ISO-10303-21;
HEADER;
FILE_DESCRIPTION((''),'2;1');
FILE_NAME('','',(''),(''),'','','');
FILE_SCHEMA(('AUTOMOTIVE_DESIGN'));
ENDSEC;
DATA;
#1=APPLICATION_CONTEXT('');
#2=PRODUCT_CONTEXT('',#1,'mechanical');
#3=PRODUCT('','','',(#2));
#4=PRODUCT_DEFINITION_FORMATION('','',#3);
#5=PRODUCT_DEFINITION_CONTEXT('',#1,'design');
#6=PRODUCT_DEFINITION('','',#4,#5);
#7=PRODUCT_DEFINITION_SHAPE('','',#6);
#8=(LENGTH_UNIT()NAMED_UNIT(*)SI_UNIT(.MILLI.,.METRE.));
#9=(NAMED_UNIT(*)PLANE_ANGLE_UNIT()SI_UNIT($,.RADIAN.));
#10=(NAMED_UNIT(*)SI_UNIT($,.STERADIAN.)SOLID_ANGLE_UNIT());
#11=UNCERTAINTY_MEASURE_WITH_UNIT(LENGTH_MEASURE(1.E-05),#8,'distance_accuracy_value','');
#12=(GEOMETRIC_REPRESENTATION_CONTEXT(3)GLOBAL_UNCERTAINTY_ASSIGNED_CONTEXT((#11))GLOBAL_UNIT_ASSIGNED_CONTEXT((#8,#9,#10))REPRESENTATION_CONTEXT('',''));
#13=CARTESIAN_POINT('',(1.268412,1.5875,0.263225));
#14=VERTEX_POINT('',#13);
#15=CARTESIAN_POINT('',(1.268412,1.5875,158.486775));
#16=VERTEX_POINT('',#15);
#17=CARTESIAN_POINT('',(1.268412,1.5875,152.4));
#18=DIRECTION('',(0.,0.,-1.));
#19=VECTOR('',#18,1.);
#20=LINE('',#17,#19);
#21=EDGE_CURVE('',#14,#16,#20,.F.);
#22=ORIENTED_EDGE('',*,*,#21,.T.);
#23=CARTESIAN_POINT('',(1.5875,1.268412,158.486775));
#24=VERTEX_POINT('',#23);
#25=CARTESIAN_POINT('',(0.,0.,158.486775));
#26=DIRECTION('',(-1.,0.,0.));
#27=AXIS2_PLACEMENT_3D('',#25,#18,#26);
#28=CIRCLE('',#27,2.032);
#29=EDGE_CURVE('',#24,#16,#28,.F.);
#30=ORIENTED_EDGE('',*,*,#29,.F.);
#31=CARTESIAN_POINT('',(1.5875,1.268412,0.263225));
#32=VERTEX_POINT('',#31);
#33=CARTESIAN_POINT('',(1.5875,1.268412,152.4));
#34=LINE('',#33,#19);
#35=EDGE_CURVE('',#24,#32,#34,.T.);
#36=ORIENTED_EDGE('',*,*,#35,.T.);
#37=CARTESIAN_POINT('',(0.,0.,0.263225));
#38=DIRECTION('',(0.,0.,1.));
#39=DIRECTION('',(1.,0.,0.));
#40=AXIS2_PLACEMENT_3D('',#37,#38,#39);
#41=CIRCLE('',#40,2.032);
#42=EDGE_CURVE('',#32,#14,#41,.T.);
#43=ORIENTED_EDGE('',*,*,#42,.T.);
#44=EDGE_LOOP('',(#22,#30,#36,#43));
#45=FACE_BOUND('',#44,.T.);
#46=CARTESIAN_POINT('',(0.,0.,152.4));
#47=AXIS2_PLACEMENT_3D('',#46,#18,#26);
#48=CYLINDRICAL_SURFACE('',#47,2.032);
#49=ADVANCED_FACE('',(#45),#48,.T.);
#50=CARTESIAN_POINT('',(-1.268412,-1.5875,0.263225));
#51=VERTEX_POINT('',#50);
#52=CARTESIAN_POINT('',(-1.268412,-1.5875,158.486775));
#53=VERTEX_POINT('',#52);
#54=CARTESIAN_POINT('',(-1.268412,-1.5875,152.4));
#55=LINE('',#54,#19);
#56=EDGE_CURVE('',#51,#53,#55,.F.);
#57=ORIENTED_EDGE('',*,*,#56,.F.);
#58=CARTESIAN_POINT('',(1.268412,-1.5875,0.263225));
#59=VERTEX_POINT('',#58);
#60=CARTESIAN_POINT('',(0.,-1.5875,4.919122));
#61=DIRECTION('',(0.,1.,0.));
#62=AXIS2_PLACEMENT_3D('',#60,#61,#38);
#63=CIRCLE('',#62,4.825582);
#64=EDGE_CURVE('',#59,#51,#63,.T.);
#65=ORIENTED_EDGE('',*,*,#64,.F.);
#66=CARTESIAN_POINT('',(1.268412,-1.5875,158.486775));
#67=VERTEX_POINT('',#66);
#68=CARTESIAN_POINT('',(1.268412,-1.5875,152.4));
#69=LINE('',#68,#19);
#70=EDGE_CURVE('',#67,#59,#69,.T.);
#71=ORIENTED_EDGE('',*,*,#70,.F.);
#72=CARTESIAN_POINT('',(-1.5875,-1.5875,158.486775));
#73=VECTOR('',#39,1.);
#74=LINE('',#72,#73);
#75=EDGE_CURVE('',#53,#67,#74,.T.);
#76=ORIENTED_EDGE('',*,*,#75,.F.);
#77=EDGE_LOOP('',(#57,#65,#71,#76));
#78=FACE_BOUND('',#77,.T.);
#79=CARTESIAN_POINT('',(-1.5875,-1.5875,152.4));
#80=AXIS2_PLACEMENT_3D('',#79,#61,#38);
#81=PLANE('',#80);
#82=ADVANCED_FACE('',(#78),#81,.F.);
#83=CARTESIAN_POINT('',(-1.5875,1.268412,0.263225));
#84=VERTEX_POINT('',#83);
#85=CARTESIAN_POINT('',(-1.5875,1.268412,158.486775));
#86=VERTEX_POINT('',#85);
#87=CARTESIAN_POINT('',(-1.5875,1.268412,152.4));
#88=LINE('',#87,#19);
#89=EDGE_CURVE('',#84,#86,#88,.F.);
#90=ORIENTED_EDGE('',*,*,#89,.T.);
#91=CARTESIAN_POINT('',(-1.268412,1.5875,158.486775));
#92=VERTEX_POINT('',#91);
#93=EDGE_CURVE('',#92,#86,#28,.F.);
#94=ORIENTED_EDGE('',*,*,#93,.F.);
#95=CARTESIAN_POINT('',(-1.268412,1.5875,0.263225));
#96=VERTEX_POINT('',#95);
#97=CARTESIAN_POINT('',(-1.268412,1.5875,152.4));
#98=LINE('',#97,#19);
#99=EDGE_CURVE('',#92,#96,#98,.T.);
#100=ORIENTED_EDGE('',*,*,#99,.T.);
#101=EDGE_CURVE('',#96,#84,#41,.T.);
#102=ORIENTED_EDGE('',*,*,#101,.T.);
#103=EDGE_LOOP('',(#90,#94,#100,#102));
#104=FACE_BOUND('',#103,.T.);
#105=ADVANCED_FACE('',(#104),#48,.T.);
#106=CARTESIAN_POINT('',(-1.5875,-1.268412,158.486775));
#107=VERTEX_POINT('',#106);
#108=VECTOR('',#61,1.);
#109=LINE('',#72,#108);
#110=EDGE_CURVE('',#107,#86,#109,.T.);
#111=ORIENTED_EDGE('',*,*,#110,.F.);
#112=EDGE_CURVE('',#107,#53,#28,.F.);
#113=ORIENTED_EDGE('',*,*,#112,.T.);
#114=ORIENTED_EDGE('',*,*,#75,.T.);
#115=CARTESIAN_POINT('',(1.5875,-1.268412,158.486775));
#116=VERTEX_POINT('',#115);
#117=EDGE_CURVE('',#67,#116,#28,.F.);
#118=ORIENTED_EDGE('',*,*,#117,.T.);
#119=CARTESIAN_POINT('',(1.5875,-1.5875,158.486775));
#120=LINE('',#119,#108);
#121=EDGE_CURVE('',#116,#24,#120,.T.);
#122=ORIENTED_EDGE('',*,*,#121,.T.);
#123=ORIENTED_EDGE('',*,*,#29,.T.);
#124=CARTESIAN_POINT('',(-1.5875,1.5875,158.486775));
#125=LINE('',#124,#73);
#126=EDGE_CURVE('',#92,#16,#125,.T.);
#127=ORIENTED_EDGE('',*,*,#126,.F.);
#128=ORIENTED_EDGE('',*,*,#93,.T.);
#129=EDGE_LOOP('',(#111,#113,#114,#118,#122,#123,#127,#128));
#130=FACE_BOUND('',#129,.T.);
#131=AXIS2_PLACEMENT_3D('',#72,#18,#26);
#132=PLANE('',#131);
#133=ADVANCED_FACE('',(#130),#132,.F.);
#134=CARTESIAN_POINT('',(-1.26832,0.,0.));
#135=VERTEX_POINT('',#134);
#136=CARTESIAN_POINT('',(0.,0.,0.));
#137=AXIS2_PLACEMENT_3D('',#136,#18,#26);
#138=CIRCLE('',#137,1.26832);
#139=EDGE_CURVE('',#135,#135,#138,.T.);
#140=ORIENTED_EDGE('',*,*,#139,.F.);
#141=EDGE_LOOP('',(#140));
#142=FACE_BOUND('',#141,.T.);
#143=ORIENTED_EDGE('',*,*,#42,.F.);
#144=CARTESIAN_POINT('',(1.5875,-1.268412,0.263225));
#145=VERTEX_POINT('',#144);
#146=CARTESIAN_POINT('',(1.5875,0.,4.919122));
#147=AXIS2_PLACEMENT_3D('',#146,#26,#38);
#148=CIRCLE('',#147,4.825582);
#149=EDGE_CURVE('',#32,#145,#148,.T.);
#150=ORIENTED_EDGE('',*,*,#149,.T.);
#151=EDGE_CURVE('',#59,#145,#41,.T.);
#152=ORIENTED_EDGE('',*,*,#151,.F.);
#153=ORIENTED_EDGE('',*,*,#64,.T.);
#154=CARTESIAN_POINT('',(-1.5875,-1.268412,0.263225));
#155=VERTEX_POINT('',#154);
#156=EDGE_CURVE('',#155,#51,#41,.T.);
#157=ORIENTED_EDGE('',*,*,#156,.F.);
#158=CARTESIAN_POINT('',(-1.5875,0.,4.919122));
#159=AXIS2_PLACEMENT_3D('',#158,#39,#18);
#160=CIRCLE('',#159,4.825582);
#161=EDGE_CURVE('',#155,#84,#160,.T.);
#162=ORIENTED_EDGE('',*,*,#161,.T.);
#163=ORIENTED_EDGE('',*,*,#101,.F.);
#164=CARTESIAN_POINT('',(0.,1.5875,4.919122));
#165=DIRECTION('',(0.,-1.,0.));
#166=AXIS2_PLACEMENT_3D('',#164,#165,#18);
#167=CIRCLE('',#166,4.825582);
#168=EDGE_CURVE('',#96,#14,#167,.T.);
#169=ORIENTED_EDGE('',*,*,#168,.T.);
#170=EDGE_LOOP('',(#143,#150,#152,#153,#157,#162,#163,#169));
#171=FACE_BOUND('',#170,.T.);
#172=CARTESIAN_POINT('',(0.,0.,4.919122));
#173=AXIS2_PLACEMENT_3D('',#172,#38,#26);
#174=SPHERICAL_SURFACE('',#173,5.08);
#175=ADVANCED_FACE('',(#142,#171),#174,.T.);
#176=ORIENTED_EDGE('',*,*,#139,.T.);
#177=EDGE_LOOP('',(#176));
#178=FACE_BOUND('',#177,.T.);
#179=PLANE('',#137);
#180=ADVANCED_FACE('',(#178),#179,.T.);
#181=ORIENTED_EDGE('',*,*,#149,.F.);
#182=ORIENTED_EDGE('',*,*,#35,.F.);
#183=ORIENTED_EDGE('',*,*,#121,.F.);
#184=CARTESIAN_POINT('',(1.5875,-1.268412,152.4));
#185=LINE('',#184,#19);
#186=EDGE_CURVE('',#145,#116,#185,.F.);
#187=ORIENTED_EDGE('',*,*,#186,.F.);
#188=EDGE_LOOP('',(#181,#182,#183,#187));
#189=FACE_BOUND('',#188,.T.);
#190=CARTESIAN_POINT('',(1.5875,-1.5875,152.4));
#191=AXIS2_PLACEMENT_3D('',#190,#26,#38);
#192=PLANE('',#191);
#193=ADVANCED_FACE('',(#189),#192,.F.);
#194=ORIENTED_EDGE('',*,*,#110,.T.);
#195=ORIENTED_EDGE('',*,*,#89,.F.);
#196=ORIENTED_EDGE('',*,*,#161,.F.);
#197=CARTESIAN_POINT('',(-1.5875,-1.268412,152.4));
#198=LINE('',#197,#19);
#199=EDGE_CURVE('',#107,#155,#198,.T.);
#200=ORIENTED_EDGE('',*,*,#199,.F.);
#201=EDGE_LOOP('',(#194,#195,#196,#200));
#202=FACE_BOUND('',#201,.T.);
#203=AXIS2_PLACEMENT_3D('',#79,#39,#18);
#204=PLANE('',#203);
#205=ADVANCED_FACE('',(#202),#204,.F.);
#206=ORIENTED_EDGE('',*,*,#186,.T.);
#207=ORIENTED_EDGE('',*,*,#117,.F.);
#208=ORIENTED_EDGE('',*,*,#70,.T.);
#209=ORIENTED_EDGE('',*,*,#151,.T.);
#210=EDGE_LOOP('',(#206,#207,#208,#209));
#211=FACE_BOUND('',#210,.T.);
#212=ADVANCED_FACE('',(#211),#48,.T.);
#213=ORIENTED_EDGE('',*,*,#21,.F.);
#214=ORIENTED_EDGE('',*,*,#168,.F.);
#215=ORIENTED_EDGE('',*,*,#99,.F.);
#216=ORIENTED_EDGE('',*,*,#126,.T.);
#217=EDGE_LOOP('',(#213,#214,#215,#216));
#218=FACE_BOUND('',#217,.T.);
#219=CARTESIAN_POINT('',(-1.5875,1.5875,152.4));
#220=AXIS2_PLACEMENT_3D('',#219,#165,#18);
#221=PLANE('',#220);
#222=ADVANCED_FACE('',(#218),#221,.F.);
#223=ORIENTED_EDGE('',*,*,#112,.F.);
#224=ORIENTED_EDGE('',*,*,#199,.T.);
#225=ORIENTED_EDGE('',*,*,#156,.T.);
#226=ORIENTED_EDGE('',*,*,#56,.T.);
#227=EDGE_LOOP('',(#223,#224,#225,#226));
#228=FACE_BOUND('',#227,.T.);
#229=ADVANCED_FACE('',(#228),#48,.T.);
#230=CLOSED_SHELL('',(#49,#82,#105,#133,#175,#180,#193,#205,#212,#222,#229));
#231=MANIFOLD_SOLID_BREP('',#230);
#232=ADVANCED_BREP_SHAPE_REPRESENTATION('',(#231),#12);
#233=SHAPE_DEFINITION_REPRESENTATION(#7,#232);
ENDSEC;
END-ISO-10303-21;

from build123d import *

# Parameters (mm, degrees)
SKETCH1_W           = 3.175
SKETCH1_H           = 3.175
BOSS_EXTRUDE1_DEPTH = 152.4
SKETCH2_OUTSIDE_W   = 35.668
SKETCH2_OUTSIDE_H   = 35.668
SKETCH2_OUTSIDE_R   = 2.032
CUT_EXTRUDE1_DEPTH  = 153.416535561
CUT_EXTRUDE3_DEPTH  = 305.820669872


with BuildPart() as part:
    # Sketch1 → Boss-Extrude1 (new body)
    with BuildSketch(Plane.XY):
        Rectangle(SKETCH1_W, SKETCH1_H)
    extrude(amount=BOSS_EXTRUDE1_DEPTH)

    # Sketch2 outside → Cut-Extrude1 (cut, through all)
    with BuildSketch(Plane(origin=(0, 0, 0), x_dir=(-1, 0, 0), z_dir=(0, 0, -1))):
        Rectangle(SKETCH2_OUTSIDE_W, SKETCH2_OUTSIDE_H)
        Circle(SKETCH2_OUTSIDE_R, mode=Mode.SUBTRACT)
    extrude(amount=-CUT_EXTRUDE1_DEPTH, mode=Mode.SUBTRACT)

    # Sketch3 → Cut-Revolve1 (revolve, cut)
    with BuildSketch(Plane(origin=(0, 0, 0), x_dir=(1, 0, 0), z_dir=(0, 1, 0))):
        with BuildLine():
            Line((-5.053685963, -4.40273269), (-5.053685963, 5.740530545))
            Line((-5.053685963, 5.740530545), (0, 5.740530545))
            Line((0, 5.740530545), (0, 0.160877736))
            ThreePointArc((0, 0.160877736), (-3.404639553, -1.148866368), (-5.053685963, -4.40273269))
        make_face()
    revolve(axis=Axis((0, 0, 152.4), (0, 0, -1)), mode=Mode.SUBTRACT)

    # Mirror1: part across plane


with BuildPart() as part_1:
    add(part.part)
    add(part.part.mirror(Plane(origin=(0, 0, 152.4), x_dir=(1, 0, 0), z_dir=(0, 0, -1))))

    # Sketch4 → Cut-Extrude3 (cut, through all)
    with BuildSketch(Plane(origin=(1.5875, 0, 0), x_dir=(0, 0, -1), z_dir=(1, 0, 0))):
        Polygon((-304.536774642, -1.5875), (-158.486774642, -1.5875), (-158.486774642, 1.5875), (-304.706459955, 1.5875), (-304.8, 1.26832021), (-304.8, -1.26832021), align=None)
    extrude(amount=-CUT_EXTRUDE3_DEPTH, mode=Mode.SUBTRACT)


with BuildPart() as body_2:
    # of the pieces the cut leaves, the one that is kept (cut_extrude3_keep)
    add(part_1.part.solids().sort_by_distance((1.268411507, -1.5875, 0.263225358))[0])


solid = body_2.part
